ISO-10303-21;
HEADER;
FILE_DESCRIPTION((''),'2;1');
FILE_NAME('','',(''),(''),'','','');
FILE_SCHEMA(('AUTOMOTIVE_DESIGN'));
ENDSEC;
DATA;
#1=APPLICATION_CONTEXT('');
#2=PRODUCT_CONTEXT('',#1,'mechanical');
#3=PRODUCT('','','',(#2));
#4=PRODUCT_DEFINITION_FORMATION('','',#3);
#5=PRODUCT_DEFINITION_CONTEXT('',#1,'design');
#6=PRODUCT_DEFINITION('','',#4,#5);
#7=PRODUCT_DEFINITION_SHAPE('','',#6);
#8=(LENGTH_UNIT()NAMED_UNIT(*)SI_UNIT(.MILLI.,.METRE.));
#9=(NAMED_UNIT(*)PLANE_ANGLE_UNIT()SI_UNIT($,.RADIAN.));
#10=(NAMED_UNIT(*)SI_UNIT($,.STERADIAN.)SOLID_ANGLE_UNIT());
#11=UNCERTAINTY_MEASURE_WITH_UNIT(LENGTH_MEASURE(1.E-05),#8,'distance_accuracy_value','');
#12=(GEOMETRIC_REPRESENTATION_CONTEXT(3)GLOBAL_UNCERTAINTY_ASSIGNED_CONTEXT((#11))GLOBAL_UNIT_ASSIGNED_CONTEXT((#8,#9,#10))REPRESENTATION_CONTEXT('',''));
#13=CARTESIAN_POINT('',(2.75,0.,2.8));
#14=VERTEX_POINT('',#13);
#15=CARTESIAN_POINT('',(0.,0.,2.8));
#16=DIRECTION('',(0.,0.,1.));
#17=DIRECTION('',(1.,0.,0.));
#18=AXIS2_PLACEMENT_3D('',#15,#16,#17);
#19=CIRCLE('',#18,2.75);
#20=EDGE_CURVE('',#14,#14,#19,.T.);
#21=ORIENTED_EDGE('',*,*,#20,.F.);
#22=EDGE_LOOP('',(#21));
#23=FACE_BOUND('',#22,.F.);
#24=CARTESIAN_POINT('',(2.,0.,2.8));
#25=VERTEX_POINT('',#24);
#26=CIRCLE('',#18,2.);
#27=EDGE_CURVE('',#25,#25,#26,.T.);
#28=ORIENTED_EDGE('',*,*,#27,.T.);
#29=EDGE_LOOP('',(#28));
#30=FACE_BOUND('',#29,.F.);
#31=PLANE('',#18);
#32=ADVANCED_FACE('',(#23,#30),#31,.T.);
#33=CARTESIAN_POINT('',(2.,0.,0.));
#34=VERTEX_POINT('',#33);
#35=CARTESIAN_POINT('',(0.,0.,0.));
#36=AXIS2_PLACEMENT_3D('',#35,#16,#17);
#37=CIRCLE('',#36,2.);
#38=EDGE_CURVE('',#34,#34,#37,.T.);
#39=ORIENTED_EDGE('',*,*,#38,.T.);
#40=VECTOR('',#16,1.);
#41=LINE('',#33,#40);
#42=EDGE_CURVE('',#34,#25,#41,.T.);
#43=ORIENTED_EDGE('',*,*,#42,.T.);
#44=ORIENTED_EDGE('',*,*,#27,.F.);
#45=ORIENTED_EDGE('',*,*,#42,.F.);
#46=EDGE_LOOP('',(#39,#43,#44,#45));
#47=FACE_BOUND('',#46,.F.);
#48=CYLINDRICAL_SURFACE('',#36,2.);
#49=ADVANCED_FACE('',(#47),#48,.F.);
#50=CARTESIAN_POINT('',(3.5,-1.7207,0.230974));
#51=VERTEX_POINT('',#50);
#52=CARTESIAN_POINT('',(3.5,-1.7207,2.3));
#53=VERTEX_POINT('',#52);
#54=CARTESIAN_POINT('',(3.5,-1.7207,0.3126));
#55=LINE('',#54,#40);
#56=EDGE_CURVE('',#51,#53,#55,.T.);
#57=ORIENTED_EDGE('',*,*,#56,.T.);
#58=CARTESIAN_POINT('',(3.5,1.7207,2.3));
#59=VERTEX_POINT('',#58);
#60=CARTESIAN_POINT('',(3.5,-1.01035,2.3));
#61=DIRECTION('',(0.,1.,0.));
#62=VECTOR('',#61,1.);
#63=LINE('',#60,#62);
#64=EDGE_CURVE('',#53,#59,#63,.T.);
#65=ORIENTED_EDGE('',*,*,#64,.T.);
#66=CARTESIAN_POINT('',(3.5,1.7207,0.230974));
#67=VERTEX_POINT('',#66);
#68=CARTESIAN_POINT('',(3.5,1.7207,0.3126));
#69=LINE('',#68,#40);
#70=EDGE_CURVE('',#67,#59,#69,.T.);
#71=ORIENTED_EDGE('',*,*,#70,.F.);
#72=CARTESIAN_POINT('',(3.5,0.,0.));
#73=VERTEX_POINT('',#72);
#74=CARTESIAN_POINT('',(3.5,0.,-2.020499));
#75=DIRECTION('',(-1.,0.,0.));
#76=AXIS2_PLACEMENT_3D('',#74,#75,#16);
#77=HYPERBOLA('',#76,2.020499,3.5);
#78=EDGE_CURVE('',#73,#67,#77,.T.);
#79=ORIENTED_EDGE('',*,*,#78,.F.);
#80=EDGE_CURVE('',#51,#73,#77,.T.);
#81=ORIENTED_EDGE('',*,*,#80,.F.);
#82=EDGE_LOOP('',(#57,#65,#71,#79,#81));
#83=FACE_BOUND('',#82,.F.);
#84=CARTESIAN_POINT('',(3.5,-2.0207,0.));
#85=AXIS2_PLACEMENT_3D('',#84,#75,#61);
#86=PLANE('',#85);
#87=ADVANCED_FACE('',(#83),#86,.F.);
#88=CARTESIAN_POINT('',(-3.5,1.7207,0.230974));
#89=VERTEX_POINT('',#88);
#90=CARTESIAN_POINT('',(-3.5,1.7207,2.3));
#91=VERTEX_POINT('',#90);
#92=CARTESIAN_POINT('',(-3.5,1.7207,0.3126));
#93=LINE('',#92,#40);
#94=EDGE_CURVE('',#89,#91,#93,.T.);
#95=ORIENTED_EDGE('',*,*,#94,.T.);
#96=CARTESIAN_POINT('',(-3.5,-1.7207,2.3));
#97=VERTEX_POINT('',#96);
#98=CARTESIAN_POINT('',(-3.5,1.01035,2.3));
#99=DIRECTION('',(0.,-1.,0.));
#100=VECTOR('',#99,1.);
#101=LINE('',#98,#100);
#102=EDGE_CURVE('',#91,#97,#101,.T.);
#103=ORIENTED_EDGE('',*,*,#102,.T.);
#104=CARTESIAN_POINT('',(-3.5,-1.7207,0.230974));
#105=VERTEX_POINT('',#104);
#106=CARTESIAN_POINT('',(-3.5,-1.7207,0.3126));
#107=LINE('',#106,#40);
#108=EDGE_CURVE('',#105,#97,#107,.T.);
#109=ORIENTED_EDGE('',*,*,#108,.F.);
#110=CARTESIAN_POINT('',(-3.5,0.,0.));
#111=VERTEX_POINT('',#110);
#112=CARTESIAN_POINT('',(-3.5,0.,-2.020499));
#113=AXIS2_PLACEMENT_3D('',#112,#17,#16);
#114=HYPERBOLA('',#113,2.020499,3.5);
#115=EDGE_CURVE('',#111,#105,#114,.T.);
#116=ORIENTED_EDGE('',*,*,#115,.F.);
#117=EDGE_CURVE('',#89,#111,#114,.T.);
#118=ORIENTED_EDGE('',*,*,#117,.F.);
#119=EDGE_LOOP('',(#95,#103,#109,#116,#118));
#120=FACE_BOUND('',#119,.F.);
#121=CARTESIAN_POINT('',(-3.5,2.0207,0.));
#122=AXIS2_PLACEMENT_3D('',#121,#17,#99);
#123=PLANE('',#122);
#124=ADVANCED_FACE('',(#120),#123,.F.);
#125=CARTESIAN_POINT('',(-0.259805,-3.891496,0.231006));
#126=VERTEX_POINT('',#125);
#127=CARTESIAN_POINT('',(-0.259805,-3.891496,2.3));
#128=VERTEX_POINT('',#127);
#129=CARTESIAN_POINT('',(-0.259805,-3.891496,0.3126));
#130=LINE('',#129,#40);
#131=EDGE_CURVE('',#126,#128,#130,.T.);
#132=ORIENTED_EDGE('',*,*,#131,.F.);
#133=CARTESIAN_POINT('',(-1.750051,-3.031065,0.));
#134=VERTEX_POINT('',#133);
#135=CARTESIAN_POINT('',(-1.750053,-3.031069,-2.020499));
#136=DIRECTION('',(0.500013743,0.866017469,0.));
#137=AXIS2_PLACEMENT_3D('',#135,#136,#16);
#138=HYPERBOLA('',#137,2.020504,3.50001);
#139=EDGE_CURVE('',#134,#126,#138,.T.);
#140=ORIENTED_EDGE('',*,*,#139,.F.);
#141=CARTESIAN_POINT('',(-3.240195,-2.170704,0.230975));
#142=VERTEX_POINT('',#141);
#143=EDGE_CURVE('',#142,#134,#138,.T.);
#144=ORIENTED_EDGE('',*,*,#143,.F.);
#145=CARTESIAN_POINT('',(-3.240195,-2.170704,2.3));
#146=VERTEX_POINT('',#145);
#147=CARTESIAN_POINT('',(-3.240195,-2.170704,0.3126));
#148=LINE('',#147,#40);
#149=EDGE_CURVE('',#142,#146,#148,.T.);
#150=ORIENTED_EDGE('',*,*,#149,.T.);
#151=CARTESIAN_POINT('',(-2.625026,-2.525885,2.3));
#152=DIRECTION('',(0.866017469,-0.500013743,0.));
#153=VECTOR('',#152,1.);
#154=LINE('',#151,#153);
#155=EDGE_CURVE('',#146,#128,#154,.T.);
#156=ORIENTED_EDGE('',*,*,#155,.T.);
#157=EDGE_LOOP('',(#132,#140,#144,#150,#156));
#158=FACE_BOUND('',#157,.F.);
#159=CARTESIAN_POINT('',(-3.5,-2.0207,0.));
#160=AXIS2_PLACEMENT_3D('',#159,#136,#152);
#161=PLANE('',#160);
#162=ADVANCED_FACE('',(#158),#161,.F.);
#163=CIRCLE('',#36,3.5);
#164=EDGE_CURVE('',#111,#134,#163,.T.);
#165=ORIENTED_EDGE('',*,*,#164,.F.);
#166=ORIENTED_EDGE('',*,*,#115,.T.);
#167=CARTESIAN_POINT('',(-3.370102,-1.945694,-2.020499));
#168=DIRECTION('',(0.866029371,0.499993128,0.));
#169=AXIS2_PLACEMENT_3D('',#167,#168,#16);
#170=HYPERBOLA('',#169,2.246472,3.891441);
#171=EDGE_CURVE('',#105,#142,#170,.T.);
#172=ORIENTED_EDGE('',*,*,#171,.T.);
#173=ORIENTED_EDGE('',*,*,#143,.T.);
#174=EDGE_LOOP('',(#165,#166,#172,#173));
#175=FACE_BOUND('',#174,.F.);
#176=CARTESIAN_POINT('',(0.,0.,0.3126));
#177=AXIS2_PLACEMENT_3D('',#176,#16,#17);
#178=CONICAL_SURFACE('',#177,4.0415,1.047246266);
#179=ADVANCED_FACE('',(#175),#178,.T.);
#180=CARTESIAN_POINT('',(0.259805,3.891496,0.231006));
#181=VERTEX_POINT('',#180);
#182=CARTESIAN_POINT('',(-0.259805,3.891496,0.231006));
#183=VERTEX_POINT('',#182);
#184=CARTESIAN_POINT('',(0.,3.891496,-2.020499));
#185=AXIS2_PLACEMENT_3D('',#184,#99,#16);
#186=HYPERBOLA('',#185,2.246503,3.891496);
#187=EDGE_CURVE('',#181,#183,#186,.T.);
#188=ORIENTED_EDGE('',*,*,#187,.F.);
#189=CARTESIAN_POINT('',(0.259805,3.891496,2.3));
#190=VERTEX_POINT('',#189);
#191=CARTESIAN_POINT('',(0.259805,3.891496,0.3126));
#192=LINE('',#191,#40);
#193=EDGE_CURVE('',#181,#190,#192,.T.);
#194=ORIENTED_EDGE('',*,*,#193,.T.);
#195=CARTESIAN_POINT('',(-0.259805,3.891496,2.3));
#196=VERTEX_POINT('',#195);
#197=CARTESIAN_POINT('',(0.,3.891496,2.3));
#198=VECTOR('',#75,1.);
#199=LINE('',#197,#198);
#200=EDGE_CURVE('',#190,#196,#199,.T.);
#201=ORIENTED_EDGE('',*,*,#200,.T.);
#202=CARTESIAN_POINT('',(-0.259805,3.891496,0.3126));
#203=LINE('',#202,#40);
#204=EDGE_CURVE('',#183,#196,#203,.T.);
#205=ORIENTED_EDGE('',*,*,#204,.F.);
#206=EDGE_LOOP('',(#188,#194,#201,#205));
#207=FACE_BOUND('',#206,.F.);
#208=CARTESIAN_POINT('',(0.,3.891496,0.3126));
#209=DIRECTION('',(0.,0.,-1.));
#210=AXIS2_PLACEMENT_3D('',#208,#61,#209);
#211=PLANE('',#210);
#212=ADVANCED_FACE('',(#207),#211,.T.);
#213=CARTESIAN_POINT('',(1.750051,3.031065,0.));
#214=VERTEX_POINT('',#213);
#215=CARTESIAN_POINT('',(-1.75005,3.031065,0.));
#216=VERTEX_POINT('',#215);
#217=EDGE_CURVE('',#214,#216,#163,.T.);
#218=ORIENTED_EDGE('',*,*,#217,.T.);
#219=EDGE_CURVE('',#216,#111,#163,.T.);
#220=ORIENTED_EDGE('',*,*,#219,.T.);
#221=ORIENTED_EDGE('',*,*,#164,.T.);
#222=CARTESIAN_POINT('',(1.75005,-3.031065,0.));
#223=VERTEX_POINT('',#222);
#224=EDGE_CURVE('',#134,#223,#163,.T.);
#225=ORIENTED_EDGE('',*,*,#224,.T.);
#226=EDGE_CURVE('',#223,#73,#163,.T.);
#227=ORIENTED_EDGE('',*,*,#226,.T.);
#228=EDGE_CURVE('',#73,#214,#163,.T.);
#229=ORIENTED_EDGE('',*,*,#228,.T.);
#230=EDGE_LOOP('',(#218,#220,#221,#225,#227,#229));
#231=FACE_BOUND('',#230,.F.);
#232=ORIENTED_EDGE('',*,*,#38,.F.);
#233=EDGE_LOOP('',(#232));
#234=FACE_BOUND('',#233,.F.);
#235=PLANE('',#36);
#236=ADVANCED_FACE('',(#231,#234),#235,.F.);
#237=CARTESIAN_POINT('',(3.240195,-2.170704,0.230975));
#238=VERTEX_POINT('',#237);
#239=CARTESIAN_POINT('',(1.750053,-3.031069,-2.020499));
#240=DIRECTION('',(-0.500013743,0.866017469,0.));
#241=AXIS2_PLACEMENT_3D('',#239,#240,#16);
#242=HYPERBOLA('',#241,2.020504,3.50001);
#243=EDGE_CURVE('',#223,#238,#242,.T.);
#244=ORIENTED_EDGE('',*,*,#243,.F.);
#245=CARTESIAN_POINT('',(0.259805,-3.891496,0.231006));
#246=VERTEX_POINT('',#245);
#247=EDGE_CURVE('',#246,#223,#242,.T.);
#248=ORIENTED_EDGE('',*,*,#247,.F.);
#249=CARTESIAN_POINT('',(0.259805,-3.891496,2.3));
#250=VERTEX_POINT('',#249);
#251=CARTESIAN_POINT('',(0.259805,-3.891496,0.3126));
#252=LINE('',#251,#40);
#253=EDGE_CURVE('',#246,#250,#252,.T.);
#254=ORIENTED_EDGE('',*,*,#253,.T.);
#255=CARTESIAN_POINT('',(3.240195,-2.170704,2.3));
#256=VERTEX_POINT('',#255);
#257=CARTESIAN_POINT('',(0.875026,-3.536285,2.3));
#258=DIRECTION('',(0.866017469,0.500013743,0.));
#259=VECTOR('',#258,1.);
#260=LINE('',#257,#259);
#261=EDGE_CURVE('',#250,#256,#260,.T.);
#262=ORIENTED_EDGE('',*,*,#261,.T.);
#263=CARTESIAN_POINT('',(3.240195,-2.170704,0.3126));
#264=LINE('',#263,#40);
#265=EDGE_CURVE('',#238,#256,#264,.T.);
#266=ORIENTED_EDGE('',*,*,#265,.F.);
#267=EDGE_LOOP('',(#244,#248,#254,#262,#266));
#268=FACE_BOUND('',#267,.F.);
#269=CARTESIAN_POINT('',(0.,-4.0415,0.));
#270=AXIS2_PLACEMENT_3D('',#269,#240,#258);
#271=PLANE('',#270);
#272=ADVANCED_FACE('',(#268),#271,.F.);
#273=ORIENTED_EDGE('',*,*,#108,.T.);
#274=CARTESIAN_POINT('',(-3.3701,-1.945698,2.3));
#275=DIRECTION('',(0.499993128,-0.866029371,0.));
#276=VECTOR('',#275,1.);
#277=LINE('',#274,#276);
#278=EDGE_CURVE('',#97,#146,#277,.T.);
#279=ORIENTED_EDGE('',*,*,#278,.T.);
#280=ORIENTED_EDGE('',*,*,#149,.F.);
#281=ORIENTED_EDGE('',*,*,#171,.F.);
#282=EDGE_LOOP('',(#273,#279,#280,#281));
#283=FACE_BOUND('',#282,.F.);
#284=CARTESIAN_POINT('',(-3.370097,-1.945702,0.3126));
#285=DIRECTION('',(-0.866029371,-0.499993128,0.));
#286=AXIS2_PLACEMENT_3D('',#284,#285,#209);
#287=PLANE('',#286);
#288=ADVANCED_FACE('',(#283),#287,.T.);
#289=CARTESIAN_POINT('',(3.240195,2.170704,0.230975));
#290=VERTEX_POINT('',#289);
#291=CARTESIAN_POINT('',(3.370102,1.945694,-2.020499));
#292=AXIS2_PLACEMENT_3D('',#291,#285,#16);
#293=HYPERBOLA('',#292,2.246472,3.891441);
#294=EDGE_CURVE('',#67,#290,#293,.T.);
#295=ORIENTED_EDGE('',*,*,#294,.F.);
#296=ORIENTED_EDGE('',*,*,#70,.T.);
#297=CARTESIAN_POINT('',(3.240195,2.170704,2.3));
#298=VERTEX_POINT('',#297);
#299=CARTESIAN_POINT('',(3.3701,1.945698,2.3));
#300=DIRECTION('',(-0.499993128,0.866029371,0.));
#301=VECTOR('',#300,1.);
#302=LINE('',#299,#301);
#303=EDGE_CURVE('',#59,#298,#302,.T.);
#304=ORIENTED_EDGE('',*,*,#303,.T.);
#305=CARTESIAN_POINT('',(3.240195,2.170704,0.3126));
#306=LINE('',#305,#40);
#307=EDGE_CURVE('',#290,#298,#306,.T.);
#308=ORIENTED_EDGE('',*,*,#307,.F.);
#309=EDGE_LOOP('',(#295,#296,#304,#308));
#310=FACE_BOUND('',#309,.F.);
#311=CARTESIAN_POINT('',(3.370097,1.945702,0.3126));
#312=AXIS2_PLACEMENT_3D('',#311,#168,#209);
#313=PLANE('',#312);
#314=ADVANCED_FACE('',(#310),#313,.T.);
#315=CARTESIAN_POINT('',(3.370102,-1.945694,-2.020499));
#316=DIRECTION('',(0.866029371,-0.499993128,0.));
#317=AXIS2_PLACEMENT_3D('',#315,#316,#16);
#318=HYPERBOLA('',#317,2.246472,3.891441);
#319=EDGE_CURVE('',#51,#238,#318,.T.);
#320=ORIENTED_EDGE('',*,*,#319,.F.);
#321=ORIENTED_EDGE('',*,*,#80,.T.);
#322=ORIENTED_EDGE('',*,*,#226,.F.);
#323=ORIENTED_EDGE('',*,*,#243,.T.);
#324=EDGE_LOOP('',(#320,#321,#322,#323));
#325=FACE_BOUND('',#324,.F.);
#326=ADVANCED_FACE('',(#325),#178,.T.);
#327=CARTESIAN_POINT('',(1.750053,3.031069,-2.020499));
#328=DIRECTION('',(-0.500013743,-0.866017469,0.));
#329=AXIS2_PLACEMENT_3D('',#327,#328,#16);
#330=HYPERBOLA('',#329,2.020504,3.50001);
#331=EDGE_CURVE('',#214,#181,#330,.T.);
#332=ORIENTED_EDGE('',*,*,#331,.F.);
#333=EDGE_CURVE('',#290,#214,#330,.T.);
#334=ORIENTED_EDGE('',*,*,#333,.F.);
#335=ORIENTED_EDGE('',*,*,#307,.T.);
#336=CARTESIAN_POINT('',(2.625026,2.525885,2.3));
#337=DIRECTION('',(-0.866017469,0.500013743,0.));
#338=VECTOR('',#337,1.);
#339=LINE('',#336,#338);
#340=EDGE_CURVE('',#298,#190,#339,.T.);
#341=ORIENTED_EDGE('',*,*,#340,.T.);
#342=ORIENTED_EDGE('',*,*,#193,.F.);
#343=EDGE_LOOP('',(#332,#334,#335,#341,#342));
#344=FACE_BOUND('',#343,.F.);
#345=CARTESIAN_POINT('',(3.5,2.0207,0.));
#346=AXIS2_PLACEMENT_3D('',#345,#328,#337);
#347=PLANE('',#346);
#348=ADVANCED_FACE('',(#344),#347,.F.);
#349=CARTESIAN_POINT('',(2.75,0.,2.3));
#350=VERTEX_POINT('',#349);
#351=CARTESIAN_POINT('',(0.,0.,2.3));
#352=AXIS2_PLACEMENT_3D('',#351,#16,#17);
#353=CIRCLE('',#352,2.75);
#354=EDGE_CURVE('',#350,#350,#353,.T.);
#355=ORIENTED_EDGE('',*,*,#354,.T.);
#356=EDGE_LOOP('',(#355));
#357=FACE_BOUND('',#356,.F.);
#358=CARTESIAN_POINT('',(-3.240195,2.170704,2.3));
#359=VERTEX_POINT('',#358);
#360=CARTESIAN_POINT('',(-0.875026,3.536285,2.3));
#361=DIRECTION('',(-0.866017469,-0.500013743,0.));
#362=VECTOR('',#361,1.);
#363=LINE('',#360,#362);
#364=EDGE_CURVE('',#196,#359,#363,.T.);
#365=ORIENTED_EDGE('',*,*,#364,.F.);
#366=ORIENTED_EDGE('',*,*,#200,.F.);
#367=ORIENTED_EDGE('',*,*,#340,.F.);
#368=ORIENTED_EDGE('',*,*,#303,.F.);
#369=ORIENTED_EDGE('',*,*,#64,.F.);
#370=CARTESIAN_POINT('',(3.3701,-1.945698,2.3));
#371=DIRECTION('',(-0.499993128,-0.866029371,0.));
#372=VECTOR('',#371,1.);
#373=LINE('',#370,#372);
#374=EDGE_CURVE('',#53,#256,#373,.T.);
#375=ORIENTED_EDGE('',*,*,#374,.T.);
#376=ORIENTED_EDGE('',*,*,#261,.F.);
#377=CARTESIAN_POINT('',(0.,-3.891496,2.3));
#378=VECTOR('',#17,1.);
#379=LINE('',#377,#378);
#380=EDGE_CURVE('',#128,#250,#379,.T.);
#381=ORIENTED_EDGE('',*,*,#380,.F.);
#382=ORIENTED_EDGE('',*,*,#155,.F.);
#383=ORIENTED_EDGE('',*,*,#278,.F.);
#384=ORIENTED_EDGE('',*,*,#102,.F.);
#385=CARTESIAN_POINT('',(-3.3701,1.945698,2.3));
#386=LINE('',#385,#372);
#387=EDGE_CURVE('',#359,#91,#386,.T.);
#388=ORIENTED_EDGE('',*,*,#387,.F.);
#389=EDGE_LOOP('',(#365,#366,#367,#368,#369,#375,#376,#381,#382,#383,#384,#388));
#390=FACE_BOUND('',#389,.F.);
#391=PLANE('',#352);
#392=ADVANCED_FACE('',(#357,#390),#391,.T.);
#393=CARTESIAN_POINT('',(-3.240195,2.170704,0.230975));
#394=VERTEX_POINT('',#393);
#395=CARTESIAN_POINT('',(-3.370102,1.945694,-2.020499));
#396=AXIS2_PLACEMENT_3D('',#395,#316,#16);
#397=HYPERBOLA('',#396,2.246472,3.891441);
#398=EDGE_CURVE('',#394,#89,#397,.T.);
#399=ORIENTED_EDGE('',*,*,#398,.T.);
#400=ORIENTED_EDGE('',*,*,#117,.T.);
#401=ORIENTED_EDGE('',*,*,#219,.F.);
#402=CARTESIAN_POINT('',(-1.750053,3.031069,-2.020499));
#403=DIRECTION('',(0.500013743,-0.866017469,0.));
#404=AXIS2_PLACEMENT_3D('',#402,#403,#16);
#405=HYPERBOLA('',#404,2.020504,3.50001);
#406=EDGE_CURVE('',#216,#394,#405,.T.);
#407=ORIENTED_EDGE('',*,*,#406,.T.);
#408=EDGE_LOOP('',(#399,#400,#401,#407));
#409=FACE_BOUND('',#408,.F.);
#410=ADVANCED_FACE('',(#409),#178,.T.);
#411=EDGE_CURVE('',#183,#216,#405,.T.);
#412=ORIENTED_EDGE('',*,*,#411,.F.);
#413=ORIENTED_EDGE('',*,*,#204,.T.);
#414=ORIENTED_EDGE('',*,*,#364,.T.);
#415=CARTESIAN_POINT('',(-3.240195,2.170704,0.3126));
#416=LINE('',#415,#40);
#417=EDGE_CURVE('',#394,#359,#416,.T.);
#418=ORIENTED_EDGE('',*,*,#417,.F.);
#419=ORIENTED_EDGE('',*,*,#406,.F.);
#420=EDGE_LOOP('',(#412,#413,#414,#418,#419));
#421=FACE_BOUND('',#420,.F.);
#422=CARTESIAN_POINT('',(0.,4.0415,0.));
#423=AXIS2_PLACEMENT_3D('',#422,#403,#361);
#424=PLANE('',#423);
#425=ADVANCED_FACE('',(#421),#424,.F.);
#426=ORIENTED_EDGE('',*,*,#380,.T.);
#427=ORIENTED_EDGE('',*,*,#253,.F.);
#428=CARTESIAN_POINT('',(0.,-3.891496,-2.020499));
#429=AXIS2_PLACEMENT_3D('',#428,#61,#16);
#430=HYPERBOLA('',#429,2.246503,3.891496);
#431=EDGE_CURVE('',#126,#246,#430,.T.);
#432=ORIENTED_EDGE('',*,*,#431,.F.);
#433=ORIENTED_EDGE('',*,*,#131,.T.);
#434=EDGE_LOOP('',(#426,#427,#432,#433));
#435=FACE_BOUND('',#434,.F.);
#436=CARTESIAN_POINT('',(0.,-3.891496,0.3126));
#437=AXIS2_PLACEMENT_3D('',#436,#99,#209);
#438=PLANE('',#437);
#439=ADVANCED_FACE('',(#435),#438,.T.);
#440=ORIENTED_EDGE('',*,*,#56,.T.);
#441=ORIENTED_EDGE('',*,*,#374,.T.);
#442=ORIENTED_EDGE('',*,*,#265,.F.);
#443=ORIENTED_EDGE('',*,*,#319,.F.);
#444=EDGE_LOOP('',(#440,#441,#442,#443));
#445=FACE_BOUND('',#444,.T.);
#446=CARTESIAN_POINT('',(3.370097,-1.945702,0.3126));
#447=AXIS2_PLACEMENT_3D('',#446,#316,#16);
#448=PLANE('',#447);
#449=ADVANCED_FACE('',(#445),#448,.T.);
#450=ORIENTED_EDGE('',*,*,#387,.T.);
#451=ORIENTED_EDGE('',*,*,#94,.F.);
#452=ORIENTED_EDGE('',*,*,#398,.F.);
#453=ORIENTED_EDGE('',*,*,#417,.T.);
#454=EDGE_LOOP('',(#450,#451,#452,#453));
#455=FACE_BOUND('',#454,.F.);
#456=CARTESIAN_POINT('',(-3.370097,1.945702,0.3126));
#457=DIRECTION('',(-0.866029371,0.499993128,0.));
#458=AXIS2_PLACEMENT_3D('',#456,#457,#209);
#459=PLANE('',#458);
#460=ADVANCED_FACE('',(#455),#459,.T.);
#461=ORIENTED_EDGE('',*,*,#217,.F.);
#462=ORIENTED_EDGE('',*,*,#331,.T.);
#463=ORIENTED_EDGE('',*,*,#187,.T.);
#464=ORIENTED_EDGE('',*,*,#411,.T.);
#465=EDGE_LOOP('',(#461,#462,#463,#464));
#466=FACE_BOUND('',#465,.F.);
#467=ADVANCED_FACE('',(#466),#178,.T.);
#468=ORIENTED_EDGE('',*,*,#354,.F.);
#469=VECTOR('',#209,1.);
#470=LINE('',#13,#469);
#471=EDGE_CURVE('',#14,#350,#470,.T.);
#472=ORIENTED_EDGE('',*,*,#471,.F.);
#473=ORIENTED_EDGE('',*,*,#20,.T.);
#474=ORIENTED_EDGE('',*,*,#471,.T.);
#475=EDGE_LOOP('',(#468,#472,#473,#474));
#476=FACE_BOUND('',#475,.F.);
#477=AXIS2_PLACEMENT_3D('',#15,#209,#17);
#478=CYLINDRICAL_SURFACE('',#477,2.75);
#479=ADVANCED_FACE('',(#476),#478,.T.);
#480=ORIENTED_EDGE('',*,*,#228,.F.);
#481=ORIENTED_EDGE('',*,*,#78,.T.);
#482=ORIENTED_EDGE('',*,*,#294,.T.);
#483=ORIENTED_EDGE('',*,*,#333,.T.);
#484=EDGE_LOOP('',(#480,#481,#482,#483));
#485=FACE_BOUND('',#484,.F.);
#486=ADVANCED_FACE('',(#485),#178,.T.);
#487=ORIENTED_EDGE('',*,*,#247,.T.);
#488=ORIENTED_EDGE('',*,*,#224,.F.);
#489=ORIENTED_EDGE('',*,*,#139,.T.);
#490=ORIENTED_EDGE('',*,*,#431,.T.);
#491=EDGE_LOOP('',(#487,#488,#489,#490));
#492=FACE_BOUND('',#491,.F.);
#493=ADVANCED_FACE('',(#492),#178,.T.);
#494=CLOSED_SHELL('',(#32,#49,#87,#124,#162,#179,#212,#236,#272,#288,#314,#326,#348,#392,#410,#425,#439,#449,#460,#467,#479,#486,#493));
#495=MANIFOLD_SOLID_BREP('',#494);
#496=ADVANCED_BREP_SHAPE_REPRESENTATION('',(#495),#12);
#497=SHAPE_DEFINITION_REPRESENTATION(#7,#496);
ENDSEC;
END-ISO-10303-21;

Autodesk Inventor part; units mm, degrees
ref_plane "YZ Plane" through (0, 0, 0) normal (1, 0, 0) x (0, 1, 0)
ref_plane "XZ Plane" through (0, 0, 0) normal (0, 1, 0) x (-1, 0, 0)
ref_plane "XY Plane" through (0, 0, 0) normal (0, 0, 1) x (1, 0, 0)
sketch "スケッチ1" plane through (0, 0, 0) normal (0, 1, 0) x (-1, 0, 0)
  line L0 (-2, 0) -> (-2, 2.8)
  line L1 (-2, 2.8) -> (-2.75, 2.8)
  line L2 (-2.75, 2.8) -> (-2.75, 2.3)
  line L3 (-2.75, 2.3) -> (-4.0415, 2.3)
  line L4 (-4.0415, 2.3) -> (-4.0415, 0.3126)
  line L5 (-3.5, 0) -> (-2, 0)
  line L6 (-4.0415, 0.3126) -> (-3.5, 0)
  line L7 (0, -0.56) -> (0, 3.36) projected
  point P0 (0, 0)
  dimension "d0" = 3.5
  dimension "d1" = 4.0415
  dimension "d2" = 30
  dimension "d3" = 0.5
  dimension "d4" = 2.8
  dimension "d5" = 4
  dimension "d6" = 5.5
revolve "回転1" add sketch "スケッチ1" angle 360 about axis through (0, 0, -10) along (0, 0, 1)
sketch "スケッチ2" plane through (0, 0, 0) normal (0, 0, -1) x (-1, 0, 0)
  circle A0 centre (0, 0) radius 4.0415 projected
  line L0 (0, 4.0415) -> (3.5, 2.0207)
  line L1 (3.5, 2.0207) -> (3.5, -2.0207)
  line L2 (3.5, -2.0207) -> (0, -4.0415)
  line L3 (0, -4.0415) -> (-3.5, -2.0207)
  line L4 (-3.5, -2.0207) -> (-3.5, 2.0207)
  line L5 (-3.5, 2.0207) -> (0, 4.0415)
  point P0 (-3.5, 2.0207)
  point P1 (-3.5, 2.0207)
  point P2 (-3.5, -2.0207)
  point P3 (-3.5, -2.0207)
  point P4 (0, -4.0415)
  point P5 (0, -4.0415)
  point P6 (3.5, -2.0207)
  point P7 (3.5, -2.0207)
  point P8 (3.5, 2.0207)
  point P9 (3.5, 2.0207)
extrude "押し出し1" cut sketch "スケッチ2" against normal through all contours A0 L1 | L0 A0 | A0 L2 | L5 A0 | A0 L3 | L4 A0
chamfer "面取り1" distance 0.3 angle 45 6 edges at (0, 4.0415, 1.3063) (-3.5, 2.0207, 1.3063) (3.5, 2.0207, 1.3063) (3.5, -2.0207, 1.3063) (0, -4.0415, 1.3063) (-3.5, -2.0207, 1.3063)
thread "ねじ1" size "M4x0.7" class "6H" standard "ANSI Metric M Profile" full length
equation "\"d1\" = 1.1547 * d0"
properties part number "S4-05-3W" material "チタン"
